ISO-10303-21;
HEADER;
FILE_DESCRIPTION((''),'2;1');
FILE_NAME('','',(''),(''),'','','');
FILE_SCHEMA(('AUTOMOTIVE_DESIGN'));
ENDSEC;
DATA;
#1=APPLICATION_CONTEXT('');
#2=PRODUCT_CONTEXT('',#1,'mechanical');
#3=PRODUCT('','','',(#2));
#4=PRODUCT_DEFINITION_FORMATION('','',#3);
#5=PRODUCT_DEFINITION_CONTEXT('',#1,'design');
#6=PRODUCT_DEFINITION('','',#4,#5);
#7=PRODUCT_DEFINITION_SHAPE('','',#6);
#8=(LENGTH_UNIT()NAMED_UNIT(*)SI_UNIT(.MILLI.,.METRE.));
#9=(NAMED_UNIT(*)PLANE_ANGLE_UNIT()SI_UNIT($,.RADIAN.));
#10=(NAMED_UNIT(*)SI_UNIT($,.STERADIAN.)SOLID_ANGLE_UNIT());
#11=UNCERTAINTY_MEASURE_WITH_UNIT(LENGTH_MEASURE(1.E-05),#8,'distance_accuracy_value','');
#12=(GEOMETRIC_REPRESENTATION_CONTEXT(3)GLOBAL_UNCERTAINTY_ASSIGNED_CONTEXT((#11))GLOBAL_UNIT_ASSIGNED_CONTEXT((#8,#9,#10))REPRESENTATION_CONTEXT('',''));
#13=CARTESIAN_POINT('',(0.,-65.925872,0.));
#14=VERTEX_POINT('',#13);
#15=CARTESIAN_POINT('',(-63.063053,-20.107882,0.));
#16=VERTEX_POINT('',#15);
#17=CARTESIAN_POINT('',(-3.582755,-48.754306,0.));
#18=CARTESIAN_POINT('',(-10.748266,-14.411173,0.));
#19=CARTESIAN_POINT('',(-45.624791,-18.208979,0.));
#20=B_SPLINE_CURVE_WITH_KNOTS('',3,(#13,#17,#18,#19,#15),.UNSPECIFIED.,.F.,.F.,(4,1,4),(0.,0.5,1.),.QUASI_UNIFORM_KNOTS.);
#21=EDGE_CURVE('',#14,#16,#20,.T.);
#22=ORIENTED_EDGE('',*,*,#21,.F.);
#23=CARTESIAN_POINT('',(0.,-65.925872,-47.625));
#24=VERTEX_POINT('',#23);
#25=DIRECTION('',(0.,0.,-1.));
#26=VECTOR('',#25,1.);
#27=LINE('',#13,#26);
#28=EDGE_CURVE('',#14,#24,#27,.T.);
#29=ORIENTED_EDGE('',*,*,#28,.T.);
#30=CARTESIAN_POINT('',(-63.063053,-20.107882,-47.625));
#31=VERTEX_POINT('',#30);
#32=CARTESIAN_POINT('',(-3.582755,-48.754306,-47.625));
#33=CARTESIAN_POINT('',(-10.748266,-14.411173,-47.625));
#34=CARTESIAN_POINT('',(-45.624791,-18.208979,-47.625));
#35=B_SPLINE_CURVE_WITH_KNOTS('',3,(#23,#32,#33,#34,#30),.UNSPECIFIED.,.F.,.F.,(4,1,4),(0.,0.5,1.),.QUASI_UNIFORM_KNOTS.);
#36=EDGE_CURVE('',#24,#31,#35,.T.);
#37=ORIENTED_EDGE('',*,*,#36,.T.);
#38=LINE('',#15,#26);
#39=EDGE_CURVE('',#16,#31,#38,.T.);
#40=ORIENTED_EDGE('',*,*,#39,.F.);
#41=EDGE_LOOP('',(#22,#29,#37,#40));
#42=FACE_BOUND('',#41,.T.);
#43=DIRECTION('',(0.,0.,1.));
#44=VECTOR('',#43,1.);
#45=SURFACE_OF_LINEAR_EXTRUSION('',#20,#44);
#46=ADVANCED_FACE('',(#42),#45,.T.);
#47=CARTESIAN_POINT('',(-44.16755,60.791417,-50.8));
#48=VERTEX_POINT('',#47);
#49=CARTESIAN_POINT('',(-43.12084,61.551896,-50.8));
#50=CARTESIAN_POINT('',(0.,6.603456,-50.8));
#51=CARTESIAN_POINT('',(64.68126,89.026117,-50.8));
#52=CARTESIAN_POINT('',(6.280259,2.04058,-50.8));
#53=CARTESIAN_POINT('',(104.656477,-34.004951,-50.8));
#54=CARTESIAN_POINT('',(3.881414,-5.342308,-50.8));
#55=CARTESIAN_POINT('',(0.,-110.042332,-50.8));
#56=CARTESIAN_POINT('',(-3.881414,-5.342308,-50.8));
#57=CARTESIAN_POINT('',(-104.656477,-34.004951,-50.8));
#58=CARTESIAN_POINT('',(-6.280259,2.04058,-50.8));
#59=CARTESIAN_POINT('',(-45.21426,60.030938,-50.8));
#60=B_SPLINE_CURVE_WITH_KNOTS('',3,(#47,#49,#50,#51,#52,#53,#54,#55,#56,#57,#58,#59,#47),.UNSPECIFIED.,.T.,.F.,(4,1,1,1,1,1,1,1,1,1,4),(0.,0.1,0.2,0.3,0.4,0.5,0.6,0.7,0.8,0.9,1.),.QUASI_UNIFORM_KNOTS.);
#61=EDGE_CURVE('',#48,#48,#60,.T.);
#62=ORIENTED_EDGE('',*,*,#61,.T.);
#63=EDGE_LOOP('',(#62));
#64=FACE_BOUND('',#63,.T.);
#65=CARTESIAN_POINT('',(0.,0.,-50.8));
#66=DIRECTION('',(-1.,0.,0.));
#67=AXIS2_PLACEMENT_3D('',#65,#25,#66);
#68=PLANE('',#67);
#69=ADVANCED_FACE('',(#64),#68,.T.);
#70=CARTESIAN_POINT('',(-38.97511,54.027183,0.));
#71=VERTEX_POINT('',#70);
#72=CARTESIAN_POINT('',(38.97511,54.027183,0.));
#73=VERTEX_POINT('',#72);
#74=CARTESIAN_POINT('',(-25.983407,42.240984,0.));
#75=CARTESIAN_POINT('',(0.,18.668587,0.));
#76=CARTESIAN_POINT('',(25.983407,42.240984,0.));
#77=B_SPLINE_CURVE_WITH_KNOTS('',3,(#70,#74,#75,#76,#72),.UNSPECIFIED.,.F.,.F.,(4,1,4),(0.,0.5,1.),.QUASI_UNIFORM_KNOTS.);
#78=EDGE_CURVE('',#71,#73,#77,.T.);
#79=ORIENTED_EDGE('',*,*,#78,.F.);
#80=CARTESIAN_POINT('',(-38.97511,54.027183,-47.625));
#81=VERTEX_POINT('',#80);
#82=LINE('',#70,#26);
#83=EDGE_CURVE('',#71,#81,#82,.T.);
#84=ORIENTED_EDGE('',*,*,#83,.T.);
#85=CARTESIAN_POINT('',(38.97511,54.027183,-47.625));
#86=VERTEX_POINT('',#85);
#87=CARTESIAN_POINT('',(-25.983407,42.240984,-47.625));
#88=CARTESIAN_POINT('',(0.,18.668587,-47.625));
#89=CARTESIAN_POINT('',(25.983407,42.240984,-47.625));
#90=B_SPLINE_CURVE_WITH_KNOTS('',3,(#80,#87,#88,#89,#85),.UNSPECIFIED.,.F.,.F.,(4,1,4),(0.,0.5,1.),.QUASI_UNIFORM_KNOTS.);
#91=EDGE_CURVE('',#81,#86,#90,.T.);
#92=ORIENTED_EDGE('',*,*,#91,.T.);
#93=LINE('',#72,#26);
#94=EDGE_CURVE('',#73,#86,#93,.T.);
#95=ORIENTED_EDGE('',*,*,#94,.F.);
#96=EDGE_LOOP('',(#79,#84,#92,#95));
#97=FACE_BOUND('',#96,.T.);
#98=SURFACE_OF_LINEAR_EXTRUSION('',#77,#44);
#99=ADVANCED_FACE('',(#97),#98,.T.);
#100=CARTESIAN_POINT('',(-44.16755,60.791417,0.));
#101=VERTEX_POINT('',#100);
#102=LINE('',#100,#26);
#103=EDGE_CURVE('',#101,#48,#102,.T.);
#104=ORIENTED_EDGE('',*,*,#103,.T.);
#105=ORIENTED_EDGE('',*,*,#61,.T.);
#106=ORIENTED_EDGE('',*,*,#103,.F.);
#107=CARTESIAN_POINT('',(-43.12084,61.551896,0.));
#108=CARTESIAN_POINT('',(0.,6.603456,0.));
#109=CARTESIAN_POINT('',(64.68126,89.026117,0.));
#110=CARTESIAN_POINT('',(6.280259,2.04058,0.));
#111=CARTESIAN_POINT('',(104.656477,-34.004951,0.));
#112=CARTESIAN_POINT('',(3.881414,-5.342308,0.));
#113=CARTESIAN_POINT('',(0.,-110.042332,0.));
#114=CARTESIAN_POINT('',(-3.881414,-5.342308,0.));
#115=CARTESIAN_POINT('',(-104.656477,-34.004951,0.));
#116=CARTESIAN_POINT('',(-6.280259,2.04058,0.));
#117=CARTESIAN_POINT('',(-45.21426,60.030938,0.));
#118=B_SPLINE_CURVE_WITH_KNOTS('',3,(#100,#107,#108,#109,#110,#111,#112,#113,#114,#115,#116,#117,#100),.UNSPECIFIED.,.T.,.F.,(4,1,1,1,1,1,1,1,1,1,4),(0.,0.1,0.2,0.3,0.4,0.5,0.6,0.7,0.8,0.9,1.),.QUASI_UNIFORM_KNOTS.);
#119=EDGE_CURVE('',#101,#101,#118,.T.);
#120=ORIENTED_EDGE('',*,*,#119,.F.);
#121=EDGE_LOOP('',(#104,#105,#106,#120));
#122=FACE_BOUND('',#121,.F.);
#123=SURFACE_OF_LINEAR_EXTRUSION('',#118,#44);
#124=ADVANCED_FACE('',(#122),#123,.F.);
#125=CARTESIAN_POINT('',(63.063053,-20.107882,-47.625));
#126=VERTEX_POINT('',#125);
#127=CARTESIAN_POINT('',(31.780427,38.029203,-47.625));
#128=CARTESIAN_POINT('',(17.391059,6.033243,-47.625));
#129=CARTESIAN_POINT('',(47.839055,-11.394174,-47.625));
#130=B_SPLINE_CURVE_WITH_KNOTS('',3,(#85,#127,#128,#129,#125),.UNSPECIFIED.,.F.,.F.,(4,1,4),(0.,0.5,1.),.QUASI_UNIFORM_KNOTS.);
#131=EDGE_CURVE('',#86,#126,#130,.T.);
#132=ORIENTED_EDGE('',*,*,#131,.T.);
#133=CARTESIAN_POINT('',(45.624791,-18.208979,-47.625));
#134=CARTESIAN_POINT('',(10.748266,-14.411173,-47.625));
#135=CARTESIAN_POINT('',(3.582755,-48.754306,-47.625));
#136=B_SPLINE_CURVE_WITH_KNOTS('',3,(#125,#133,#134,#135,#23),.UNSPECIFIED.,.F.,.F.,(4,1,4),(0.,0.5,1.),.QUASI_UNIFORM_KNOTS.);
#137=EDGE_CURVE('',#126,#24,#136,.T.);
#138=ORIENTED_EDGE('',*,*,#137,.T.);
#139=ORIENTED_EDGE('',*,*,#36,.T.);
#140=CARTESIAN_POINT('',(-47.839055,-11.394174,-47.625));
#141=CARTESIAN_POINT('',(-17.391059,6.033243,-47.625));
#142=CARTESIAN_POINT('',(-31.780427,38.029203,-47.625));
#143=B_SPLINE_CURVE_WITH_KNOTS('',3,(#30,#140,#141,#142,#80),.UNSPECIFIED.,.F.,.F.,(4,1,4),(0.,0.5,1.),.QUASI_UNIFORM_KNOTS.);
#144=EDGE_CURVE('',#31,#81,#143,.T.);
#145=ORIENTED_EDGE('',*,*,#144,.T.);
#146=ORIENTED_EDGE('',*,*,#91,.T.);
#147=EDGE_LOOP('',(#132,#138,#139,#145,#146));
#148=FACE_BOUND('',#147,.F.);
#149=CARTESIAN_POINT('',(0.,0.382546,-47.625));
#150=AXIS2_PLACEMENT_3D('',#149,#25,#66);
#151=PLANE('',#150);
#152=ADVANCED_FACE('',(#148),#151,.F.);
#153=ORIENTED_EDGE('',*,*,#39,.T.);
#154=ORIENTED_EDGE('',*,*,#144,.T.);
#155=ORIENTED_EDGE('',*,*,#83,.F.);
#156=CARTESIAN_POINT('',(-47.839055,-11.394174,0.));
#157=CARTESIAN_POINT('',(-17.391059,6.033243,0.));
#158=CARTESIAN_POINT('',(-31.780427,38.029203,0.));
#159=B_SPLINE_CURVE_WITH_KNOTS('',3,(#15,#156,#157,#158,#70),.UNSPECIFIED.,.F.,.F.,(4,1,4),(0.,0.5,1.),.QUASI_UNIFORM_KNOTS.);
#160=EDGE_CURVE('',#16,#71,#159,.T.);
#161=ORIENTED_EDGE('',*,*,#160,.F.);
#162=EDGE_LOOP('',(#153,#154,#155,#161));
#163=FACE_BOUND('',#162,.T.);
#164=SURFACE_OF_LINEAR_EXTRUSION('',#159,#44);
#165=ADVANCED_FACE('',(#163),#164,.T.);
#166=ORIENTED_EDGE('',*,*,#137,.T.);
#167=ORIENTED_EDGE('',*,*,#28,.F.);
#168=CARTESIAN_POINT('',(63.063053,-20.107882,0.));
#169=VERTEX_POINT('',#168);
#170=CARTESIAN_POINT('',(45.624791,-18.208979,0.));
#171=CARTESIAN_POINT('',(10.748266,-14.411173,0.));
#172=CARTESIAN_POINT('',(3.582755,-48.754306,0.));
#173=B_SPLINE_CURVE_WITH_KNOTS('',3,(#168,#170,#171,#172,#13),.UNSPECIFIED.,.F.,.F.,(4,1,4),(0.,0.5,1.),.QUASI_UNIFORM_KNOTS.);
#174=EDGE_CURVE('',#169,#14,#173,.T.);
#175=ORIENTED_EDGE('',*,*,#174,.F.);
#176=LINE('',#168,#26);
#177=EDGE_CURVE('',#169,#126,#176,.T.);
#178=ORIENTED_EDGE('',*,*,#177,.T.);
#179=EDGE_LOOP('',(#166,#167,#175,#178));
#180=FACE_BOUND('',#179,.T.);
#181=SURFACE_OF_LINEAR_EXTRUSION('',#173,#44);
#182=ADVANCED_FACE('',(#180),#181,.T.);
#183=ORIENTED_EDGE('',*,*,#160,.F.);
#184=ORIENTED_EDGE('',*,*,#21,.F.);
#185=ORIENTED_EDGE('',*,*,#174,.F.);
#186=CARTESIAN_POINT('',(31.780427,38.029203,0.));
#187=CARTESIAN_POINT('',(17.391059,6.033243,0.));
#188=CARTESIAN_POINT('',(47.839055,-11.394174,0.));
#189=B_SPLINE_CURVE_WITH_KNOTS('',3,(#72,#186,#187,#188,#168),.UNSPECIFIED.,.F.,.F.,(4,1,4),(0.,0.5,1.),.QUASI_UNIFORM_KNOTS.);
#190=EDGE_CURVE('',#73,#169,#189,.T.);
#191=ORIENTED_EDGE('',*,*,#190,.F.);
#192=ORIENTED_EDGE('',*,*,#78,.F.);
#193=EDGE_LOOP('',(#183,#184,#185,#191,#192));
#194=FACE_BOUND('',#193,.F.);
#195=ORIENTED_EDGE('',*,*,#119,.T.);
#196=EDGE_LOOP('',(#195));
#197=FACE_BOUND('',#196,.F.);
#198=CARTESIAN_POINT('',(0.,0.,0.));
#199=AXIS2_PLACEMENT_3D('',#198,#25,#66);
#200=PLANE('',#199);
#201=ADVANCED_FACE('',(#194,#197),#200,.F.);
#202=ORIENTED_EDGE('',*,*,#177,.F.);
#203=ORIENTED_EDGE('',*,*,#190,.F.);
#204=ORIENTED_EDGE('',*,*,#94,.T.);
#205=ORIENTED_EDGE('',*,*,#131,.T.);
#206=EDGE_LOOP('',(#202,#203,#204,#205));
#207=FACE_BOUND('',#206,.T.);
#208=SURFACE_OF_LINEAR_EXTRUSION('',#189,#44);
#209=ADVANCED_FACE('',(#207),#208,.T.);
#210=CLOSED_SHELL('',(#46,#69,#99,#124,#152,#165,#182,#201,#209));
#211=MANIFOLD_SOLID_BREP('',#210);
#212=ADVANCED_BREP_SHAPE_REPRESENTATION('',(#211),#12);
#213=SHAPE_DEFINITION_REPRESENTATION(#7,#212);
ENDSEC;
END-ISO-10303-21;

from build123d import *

# Parameters (mm, degrees)
F2_DEPTH = 50.8
F3_DEPTH = 47.625


with BuildPart() as f2:
    # F0 (on Top) → F2 (new body)
    with BuildSketch(Plane.XY):
        with BuildLine():
            add(Edge.make_bspline(
                [(-44.1675498836, 60.7914171314), (-43.1208399768, 61.5518963932), (0, 6.603455561), (64.6812599651, 89.0261168093), (6.2802594413, 2.0405799899), (104.6564770587, -34.0049507347), (3.8814137929, -5.3423077704), (0, -110.0423321491), (-3.8814137929, -5.3423077704), (-104.6564770587, -34.0049507347), (-6.2802594413, 2.0405799899), (-45.2142597905, 60.0309378695), (-44.1675498836, 60.7914171314)],
                knots=[0, 0, 0, 0, 0.1, 0.2, 0.3, 0.4, 0.5, 0.6, 0.7, 0.8, 0.9, 1, 1, 1, 1], degree=3))
        make_face()
    extrude(amount=-F2_DEPTH)

    # F1 (on Top) → F3 (cut)
    with BuildSketch(Plane.XY):
        with BuildLine():
            add(Edge.make_bspline(
                [(-38.9751103184, 54.0271829379), (-25.9834068789, 42.2409844416), (0, 18.6685874491), (25.9834068789, 42.2409844416), (38.9751103184, 54.0271829379)],
                knots=[0, 0, 0, 0, 0.5, 1, 1, 1, 1], degree=3))
            add(Edge.make_bspline(
                [(-63.0630532104, -20.1078823454), (-47.8390551796, -11.3941737659), (-17.3910591178, 6.033243393), (-31.7804265849, 38.0292030896), (-38.9751103184, 54.0271829379)],
                knots=[0, 0, 0, 0, 0.5, 1, 1, 1, 1], degree=3))
            add(Edge.make_bspline(
                [(0, -65.9258724486), (-3.5827552117, -48.7543058822), (-10.7482656352, -14.4111727494), (-45.6247906853, -18.2089791467), (-63.0630532104, -20.1078823454)],
                knots=[0, 0, 0, 0, 0.5, 1, 1, 1, 1], degree=3))
            add(Edge.make_bspline(
                [(63.0630532104, -20.1078823454), (45.6247906853, -18.2089791467), (10.7482656352, -14.4111727494), (3.5827552117, -48.7543058822), (0, -65.9258724486)],
                knots=[0, 0, 0, 0, 0.5, 1, 1, 1, 1], degree=3))
            add(Edge.make_bspline(
                [(38.9751103184, 54.0271829379), (31.7804265849, 38.0292030896), (17.3910591178, 6.033243393), (47.8390551796, -11.3941737659), (63.0630532104, -20.1078823454)],
                knots=[0, 0, 0, 0, 0.5, 1, 1, 1, 1], degree=3))
        make_face()
    extrude(amount=-F3_DEPTH, mode=Mode.SUBTRACT)


solid = f2.part
